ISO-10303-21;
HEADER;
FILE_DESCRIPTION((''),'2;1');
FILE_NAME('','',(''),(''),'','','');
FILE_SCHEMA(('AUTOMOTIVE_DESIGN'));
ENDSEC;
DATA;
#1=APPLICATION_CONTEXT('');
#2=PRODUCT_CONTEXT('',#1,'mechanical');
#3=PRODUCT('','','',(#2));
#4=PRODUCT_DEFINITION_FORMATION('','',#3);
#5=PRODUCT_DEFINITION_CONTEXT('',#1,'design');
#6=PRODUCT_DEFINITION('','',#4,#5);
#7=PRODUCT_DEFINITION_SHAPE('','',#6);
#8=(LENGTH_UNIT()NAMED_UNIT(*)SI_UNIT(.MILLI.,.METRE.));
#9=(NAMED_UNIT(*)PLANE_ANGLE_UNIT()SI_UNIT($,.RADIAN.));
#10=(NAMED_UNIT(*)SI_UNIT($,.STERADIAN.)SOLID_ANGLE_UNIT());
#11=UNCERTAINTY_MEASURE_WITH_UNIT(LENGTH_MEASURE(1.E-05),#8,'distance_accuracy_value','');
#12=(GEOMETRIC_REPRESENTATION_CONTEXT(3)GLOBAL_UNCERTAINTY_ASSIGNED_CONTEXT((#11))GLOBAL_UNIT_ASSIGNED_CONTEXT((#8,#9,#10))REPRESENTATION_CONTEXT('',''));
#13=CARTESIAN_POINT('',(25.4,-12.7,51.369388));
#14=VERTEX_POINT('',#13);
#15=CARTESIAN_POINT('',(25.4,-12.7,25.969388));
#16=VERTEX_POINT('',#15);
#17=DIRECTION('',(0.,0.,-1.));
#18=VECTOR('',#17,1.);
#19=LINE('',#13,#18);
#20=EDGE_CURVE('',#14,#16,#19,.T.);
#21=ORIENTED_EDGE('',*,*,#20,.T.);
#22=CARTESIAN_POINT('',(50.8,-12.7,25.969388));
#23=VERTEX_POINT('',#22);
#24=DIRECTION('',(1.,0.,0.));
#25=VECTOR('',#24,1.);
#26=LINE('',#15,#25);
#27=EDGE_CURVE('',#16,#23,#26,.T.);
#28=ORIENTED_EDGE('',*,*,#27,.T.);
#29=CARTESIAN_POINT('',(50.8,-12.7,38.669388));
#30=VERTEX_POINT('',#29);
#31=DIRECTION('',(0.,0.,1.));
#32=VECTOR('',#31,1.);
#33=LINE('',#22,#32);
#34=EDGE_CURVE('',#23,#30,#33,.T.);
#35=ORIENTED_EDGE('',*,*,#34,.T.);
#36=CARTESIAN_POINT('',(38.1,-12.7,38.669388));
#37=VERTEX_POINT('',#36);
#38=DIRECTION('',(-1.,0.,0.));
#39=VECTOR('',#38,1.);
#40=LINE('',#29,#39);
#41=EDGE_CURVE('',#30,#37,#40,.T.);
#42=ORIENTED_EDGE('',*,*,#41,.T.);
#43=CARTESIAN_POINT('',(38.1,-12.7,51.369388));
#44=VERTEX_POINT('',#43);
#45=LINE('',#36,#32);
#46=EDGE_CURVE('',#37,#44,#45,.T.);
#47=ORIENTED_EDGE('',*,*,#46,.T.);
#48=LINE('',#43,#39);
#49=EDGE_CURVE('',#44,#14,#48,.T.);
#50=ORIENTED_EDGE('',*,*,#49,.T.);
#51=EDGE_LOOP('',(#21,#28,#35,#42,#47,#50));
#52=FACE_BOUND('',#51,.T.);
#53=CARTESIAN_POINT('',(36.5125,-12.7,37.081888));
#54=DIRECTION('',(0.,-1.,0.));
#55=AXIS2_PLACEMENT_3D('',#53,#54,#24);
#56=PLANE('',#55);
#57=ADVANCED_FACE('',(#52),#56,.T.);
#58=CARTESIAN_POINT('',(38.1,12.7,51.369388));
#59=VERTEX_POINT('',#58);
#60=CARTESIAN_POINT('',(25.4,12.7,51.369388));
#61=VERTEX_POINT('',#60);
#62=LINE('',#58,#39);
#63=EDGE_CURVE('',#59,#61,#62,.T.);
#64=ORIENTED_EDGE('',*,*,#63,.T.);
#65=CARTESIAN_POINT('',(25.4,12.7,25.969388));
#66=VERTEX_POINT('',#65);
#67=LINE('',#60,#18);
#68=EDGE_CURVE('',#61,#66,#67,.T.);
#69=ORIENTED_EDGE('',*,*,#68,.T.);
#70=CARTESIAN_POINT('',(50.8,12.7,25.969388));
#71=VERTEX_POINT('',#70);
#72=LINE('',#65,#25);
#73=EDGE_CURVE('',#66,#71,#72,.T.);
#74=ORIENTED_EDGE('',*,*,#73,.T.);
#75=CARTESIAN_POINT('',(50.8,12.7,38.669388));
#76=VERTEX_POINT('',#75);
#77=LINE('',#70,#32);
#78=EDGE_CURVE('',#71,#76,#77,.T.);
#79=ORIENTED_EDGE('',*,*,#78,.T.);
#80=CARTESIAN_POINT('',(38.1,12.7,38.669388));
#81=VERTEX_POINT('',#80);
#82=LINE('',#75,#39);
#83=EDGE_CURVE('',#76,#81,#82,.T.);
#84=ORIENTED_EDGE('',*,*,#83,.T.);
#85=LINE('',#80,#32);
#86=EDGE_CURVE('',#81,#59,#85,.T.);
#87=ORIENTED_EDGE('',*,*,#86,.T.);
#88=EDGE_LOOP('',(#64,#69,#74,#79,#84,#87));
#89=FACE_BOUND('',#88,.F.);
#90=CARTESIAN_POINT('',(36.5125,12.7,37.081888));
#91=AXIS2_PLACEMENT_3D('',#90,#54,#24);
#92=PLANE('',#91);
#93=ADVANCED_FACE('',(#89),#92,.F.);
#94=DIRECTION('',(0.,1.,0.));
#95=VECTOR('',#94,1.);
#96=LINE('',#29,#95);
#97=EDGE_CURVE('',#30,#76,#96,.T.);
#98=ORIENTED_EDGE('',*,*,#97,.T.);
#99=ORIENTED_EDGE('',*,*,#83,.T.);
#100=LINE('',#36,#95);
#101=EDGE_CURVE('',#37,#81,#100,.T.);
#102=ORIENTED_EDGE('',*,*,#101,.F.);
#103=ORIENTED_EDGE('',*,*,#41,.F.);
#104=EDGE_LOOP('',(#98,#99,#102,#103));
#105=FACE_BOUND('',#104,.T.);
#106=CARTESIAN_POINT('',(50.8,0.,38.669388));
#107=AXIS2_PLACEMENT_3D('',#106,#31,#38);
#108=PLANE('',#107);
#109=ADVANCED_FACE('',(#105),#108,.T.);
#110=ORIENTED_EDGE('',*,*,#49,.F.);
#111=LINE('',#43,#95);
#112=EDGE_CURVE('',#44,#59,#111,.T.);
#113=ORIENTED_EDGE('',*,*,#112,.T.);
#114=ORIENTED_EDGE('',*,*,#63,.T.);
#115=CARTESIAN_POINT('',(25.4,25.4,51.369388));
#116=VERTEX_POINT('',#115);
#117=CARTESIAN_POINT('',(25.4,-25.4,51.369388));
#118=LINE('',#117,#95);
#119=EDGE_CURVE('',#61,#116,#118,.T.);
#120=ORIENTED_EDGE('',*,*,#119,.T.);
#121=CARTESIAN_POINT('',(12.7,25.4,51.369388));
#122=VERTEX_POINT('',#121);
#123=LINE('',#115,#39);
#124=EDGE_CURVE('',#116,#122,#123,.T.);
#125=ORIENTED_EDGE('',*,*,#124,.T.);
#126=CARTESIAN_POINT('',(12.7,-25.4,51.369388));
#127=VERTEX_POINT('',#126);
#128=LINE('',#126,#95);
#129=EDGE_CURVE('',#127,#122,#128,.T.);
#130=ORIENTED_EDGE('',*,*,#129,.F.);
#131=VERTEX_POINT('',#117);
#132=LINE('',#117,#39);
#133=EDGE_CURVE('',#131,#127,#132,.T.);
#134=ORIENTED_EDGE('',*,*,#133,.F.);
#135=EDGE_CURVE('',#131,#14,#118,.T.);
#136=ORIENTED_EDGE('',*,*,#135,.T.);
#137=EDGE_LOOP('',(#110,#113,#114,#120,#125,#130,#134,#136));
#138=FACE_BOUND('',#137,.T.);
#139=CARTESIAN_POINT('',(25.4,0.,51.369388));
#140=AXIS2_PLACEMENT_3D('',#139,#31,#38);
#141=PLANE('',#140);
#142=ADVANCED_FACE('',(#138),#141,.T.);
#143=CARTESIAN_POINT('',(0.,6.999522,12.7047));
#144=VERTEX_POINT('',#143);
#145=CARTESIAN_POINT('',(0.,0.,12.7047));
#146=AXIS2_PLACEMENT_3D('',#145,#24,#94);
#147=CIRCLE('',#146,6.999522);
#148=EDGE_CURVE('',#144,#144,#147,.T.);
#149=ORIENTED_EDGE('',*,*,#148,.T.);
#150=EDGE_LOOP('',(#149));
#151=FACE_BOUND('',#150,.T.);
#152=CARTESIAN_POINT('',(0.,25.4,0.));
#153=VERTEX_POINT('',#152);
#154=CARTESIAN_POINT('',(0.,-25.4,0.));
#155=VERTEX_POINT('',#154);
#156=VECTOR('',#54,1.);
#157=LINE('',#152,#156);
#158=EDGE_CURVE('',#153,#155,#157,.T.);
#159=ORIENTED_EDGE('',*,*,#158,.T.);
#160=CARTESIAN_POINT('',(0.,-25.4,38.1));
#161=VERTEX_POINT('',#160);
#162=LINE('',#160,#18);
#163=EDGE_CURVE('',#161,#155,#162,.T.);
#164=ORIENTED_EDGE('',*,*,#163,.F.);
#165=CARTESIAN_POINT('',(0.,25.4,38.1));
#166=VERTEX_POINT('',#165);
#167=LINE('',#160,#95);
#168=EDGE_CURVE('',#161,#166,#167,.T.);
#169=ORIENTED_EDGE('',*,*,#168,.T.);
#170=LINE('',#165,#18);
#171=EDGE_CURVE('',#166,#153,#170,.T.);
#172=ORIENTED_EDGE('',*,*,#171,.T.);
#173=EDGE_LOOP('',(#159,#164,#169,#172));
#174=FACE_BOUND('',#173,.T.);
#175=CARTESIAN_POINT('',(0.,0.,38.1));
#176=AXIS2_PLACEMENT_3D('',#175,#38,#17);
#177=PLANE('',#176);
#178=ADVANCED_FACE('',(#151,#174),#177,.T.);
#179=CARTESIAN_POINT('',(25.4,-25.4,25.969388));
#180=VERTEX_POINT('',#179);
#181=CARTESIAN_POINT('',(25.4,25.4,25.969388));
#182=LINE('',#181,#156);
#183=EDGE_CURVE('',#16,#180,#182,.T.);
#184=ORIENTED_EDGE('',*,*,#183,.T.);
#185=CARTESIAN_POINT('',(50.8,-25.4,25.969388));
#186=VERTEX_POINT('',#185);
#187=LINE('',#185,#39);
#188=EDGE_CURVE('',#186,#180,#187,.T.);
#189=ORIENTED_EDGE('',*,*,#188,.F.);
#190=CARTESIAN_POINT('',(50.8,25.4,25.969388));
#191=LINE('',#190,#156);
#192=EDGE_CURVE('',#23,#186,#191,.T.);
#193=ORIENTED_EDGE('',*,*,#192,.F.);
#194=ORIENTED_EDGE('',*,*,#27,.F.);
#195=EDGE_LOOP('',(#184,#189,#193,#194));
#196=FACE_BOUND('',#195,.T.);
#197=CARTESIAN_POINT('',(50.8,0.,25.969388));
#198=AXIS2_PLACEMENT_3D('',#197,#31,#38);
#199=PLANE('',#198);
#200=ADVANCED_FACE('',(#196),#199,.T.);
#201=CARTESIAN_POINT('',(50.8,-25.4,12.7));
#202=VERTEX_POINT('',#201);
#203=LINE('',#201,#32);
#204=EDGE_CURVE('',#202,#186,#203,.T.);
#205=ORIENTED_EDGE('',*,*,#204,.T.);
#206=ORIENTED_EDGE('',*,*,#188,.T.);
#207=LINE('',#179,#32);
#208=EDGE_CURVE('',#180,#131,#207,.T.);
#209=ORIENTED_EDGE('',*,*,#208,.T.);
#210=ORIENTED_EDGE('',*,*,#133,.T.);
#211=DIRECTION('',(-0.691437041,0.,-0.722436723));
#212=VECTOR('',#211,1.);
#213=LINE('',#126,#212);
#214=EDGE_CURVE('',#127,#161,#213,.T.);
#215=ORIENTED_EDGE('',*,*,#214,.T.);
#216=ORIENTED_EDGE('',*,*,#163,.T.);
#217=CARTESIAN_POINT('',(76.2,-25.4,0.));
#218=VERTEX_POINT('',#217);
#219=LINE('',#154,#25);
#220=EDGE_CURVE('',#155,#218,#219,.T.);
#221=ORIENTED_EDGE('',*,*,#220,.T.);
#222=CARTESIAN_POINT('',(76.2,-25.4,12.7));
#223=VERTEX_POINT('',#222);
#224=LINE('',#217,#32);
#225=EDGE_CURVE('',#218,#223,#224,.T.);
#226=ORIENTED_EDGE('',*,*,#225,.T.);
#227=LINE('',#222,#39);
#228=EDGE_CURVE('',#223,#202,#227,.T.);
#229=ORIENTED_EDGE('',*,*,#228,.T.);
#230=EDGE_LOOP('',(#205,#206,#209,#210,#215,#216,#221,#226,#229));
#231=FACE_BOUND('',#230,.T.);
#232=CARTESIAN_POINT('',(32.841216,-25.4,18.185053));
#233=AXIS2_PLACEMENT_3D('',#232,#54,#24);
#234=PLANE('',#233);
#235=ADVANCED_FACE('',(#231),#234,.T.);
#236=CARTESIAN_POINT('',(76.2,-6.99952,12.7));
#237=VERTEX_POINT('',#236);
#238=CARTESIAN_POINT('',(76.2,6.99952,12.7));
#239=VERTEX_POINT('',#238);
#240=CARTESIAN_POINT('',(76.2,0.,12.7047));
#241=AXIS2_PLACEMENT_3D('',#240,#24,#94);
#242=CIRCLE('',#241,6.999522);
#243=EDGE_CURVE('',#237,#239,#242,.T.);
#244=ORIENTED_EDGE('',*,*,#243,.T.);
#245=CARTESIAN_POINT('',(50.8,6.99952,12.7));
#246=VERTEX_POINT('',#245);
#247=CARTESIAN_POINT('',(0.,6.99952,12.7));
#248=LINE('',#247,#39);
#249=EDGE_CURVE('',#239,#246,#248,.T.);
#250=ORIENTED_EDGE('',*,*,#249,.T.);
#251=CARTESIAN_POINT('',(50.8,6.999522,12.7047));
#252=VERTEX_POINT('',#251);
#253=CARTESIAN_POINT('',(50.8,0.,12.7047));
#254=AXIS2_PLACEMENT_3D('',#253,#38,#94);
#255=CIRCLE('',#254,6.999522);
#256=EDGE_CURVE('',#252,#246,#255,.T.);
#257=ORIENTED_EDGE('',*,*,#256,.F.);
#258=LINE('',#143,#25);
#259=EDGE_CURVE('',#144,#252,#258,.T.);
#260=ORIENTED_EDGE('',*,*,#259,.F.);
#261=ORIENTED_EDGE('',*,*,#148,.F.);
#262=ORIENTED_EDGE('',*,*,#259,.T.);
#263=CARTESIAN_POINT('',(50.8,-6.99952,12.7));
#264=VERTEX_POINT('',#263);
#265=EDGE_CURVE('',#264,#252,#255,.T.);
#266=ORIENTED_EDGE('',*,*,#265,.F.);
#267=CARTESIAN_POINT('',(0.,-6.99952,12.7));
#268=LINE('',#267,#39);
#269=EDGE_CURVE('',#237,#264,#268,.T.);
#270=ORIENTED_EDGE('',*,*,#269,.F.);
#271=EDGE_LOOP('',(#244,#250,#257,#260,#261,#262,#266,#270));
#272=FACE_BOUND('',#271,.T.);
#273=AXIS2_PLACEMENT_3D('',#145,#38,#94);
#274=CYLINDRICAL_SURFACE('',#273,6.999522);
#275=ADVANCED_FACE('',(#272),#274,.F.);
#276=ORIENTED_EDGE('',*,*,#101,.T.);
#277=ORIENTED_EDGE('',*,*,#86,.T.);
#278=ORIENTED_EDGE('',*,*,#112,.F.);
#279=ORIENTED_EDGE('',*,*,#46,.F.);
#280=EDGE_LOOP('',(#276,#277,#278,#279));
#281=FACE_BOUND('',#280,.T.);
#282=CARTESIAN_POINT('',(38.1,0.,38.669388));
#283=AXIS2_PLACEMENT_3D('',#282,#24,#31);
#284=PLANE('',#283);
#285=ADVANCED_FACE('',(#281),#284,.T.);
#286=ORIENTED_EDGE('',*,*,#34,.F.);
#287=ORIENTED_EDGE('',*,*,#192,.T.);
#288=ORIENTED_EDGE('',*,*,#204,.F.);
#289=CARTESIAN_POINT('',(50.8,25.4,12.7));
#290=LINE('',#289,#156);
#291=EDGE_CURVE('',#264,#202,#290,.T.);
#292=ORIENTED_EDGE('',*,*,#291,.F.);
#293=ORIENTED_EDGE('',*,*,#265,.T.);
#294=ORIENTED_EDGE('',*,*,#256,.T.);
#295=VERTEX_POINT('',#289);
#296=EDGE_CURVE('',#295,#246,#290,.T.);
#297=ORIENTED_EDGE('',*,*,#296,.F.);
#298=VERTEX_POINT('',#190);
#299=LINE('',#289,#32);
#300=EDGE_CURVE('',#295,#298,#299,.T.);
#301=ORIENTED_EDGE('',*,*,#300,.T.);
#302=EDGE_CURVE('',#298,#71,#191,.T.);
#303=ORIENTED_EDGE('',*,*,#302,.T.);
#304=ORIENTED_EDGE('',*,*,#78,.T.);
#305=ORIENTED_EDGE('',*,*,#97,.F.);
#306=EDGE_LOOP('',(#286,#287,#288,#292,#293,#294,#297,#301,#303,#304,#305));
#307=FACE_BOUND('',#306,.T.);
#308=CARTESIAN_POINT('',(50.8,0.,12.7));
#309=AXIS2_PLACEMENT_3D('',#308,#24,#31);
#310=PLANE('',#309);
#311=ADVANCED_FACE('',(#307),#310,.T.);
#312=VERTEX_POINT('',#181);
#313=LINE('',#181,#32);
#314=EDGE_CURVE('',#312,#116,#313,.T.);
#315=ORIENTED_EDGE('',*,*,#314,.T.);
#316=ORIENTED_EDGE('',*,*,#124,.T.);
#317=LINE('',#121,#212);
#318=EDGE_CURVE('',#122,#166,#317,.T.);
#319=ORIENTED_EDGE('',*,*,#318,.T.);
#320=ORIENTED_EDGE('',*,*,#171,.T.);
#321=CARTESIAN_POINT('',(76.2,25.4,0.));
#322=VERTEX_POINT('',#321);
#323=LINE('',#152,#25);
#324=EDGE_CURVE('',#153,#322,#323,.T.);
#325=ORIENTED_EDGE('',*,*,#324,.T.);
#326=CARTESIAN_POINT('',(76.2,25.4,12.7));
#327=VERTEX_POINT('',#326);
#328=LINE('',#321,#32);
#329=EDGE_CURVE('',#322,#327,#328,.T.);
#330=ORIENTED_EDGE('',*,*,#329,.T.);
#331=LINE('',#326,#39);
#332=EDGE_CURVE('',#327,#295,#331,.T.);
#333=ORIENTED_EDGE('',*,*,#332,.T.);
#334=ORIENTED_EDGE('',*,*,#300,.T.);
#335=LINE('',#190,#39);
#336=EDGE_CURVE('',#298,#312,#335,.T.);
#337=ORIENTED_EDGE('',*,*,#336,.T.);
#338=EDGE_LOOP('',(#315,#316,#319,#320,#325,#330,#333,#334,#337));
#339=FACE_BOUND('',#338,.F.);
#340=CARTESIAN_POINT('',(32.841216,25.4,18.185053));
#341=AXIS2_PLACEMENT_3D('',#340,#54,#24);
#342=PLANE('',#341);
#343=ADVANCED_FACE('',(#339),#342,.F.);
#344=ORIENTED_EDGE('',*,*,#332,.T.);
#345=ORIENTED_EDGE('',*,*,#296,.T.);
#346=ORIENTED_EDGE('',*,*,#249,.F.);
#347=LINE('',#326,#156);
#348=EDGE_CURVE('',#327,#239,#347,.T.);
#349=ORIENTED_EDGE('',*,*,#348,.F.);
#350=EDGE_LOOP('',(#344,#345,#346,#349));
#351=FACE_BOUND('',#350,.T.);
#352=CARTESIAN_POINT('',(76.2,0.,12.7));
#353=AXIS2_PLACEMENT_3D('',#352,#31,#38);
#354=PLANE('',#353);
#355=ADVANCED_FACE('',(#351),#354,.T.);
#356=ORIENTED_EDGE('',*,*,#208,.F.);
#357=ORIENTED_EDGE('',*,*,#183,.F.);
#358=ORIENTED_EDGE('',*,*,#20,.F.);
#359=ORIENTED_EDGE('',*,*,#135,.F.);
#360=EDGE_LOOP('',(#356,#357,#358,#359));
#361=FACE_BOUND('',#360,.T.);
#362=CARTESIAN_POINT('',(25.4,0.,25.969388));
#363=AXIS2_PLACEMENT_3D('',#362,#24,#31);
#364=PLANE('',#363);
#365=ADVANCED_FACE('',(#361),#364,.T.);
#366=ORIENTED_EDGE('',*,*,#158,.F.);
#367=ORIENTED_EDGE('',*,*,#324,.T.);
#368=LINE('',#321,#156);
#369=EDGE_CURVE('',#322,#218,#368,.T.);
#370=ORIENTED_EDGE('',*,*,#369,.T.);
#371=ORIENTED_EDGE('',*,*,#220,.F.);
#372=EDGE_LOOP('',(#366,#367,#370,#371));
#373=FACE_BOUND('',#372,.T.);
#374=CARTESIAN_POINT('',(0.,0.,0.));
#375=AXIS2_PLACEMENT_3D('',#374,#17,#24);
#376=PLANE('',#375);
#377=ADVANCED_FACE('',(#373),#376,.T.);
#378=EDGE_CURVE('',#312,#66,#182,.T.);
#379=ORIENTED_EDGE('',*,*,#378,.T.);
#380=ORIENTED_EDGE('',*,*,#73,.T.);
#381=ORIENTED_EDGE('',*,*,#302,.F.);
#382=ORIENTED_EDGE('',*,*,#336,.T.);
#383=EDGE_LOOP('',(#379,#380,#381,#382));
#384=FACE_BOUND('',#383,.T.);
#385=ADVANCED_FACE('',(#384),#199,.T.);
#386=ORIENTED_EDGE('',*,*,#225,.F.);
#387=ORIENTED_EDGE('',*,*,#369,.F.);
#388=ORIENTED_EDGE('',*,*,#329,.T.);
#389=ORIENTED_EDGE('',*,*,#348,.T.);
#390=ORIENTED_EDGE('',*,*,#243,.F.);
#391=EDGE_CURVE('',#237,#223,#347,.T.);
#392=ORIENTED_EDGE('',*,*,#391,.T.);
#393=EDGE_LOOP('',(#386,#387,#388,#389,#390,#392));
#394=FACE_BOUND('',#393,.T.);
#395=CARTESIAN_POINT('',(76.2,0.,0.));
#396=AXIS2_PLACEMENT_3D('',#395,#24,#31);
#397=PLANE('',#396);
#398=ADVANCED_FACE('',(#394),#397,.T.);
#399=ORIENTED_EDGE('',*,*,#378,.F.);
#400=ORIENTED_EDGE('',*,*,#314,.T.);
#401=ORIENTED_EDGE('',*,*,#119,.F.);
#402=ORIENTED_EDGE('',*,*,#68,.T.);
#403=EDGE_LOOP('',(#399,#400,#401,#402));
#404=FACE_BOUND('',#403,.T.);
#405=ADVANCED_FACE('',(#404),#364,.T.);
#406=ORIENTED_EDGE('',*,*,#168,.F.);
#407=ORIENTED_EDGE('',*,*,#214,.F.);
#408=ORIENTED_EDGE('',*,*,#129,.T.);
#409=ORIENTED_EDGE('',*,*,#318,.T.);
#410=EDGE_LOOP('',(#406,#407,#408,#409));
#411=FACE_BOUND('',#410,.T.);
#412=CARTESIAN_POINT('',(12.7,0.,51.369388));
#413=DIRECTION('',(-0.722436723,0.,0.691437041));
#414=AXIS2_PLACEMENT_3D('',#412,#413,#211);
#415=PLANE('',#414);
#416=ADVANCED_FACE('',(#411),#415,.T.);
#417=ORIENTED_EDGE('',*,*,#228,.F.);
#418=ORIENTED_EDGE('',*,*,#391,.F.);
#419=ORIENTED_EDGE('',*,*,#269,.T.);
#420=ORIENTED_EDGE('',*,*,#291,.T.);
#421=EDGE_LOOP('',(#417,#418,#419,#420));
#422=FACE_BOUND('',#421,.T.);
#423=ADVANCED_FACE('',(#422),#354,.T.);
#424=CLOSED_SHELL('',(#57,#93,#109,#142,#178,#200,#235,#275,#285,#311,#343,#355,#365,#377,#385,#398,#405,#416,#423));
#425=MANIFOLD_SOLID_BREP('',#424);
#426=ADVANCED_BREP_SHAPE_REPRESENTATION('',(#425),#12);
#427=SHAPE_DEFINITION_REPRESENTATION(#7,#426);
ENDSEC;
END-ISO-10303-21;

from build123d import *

# Parameters (mm, degrees)
F1_DEPTH = 25.4
F2_DEPTH = 12.7
F3_R     = 6.999522
F4_DEPTH = 76.2


with BuildPart() as f1:
    # F0 (on Front) → F1 (new body, symmetric)
    with BuildSketch(Plane.XZ):
        Polygon((0, 38.1), (0, 0), (76.2, 0), (76.2, 12.7), (50.8, 12.7), (50.8, 25.969388), (25.4, 25.969388), (25.4, 51.369388), (12.7, 51.369388), align=None)
    extrude(amount=F1_DEPTH, both=True)

    # F0 (on Front) → F2 (join, symmetric)
    with BuildSketch(Plane.XZ):
        Polygon((38.1, 51.369388), (25.4, 51.369388), (25.4, 25.969388), (50.8, 25.969388), (50.8, 38.669388), (38.1, 38.669388), align=None)
    extrude(amount=F2_DEPTH, both=True)

    # F3 (on Right) → F4 (cut)
    with BuildSketch(Plane.YZ):
        with Locations((0, 12.7047)):
            Circle(F3_R)
    extrude(amount=F4_DEPTH, mode=Mode.SUBTRACT)


solid = f1.part
